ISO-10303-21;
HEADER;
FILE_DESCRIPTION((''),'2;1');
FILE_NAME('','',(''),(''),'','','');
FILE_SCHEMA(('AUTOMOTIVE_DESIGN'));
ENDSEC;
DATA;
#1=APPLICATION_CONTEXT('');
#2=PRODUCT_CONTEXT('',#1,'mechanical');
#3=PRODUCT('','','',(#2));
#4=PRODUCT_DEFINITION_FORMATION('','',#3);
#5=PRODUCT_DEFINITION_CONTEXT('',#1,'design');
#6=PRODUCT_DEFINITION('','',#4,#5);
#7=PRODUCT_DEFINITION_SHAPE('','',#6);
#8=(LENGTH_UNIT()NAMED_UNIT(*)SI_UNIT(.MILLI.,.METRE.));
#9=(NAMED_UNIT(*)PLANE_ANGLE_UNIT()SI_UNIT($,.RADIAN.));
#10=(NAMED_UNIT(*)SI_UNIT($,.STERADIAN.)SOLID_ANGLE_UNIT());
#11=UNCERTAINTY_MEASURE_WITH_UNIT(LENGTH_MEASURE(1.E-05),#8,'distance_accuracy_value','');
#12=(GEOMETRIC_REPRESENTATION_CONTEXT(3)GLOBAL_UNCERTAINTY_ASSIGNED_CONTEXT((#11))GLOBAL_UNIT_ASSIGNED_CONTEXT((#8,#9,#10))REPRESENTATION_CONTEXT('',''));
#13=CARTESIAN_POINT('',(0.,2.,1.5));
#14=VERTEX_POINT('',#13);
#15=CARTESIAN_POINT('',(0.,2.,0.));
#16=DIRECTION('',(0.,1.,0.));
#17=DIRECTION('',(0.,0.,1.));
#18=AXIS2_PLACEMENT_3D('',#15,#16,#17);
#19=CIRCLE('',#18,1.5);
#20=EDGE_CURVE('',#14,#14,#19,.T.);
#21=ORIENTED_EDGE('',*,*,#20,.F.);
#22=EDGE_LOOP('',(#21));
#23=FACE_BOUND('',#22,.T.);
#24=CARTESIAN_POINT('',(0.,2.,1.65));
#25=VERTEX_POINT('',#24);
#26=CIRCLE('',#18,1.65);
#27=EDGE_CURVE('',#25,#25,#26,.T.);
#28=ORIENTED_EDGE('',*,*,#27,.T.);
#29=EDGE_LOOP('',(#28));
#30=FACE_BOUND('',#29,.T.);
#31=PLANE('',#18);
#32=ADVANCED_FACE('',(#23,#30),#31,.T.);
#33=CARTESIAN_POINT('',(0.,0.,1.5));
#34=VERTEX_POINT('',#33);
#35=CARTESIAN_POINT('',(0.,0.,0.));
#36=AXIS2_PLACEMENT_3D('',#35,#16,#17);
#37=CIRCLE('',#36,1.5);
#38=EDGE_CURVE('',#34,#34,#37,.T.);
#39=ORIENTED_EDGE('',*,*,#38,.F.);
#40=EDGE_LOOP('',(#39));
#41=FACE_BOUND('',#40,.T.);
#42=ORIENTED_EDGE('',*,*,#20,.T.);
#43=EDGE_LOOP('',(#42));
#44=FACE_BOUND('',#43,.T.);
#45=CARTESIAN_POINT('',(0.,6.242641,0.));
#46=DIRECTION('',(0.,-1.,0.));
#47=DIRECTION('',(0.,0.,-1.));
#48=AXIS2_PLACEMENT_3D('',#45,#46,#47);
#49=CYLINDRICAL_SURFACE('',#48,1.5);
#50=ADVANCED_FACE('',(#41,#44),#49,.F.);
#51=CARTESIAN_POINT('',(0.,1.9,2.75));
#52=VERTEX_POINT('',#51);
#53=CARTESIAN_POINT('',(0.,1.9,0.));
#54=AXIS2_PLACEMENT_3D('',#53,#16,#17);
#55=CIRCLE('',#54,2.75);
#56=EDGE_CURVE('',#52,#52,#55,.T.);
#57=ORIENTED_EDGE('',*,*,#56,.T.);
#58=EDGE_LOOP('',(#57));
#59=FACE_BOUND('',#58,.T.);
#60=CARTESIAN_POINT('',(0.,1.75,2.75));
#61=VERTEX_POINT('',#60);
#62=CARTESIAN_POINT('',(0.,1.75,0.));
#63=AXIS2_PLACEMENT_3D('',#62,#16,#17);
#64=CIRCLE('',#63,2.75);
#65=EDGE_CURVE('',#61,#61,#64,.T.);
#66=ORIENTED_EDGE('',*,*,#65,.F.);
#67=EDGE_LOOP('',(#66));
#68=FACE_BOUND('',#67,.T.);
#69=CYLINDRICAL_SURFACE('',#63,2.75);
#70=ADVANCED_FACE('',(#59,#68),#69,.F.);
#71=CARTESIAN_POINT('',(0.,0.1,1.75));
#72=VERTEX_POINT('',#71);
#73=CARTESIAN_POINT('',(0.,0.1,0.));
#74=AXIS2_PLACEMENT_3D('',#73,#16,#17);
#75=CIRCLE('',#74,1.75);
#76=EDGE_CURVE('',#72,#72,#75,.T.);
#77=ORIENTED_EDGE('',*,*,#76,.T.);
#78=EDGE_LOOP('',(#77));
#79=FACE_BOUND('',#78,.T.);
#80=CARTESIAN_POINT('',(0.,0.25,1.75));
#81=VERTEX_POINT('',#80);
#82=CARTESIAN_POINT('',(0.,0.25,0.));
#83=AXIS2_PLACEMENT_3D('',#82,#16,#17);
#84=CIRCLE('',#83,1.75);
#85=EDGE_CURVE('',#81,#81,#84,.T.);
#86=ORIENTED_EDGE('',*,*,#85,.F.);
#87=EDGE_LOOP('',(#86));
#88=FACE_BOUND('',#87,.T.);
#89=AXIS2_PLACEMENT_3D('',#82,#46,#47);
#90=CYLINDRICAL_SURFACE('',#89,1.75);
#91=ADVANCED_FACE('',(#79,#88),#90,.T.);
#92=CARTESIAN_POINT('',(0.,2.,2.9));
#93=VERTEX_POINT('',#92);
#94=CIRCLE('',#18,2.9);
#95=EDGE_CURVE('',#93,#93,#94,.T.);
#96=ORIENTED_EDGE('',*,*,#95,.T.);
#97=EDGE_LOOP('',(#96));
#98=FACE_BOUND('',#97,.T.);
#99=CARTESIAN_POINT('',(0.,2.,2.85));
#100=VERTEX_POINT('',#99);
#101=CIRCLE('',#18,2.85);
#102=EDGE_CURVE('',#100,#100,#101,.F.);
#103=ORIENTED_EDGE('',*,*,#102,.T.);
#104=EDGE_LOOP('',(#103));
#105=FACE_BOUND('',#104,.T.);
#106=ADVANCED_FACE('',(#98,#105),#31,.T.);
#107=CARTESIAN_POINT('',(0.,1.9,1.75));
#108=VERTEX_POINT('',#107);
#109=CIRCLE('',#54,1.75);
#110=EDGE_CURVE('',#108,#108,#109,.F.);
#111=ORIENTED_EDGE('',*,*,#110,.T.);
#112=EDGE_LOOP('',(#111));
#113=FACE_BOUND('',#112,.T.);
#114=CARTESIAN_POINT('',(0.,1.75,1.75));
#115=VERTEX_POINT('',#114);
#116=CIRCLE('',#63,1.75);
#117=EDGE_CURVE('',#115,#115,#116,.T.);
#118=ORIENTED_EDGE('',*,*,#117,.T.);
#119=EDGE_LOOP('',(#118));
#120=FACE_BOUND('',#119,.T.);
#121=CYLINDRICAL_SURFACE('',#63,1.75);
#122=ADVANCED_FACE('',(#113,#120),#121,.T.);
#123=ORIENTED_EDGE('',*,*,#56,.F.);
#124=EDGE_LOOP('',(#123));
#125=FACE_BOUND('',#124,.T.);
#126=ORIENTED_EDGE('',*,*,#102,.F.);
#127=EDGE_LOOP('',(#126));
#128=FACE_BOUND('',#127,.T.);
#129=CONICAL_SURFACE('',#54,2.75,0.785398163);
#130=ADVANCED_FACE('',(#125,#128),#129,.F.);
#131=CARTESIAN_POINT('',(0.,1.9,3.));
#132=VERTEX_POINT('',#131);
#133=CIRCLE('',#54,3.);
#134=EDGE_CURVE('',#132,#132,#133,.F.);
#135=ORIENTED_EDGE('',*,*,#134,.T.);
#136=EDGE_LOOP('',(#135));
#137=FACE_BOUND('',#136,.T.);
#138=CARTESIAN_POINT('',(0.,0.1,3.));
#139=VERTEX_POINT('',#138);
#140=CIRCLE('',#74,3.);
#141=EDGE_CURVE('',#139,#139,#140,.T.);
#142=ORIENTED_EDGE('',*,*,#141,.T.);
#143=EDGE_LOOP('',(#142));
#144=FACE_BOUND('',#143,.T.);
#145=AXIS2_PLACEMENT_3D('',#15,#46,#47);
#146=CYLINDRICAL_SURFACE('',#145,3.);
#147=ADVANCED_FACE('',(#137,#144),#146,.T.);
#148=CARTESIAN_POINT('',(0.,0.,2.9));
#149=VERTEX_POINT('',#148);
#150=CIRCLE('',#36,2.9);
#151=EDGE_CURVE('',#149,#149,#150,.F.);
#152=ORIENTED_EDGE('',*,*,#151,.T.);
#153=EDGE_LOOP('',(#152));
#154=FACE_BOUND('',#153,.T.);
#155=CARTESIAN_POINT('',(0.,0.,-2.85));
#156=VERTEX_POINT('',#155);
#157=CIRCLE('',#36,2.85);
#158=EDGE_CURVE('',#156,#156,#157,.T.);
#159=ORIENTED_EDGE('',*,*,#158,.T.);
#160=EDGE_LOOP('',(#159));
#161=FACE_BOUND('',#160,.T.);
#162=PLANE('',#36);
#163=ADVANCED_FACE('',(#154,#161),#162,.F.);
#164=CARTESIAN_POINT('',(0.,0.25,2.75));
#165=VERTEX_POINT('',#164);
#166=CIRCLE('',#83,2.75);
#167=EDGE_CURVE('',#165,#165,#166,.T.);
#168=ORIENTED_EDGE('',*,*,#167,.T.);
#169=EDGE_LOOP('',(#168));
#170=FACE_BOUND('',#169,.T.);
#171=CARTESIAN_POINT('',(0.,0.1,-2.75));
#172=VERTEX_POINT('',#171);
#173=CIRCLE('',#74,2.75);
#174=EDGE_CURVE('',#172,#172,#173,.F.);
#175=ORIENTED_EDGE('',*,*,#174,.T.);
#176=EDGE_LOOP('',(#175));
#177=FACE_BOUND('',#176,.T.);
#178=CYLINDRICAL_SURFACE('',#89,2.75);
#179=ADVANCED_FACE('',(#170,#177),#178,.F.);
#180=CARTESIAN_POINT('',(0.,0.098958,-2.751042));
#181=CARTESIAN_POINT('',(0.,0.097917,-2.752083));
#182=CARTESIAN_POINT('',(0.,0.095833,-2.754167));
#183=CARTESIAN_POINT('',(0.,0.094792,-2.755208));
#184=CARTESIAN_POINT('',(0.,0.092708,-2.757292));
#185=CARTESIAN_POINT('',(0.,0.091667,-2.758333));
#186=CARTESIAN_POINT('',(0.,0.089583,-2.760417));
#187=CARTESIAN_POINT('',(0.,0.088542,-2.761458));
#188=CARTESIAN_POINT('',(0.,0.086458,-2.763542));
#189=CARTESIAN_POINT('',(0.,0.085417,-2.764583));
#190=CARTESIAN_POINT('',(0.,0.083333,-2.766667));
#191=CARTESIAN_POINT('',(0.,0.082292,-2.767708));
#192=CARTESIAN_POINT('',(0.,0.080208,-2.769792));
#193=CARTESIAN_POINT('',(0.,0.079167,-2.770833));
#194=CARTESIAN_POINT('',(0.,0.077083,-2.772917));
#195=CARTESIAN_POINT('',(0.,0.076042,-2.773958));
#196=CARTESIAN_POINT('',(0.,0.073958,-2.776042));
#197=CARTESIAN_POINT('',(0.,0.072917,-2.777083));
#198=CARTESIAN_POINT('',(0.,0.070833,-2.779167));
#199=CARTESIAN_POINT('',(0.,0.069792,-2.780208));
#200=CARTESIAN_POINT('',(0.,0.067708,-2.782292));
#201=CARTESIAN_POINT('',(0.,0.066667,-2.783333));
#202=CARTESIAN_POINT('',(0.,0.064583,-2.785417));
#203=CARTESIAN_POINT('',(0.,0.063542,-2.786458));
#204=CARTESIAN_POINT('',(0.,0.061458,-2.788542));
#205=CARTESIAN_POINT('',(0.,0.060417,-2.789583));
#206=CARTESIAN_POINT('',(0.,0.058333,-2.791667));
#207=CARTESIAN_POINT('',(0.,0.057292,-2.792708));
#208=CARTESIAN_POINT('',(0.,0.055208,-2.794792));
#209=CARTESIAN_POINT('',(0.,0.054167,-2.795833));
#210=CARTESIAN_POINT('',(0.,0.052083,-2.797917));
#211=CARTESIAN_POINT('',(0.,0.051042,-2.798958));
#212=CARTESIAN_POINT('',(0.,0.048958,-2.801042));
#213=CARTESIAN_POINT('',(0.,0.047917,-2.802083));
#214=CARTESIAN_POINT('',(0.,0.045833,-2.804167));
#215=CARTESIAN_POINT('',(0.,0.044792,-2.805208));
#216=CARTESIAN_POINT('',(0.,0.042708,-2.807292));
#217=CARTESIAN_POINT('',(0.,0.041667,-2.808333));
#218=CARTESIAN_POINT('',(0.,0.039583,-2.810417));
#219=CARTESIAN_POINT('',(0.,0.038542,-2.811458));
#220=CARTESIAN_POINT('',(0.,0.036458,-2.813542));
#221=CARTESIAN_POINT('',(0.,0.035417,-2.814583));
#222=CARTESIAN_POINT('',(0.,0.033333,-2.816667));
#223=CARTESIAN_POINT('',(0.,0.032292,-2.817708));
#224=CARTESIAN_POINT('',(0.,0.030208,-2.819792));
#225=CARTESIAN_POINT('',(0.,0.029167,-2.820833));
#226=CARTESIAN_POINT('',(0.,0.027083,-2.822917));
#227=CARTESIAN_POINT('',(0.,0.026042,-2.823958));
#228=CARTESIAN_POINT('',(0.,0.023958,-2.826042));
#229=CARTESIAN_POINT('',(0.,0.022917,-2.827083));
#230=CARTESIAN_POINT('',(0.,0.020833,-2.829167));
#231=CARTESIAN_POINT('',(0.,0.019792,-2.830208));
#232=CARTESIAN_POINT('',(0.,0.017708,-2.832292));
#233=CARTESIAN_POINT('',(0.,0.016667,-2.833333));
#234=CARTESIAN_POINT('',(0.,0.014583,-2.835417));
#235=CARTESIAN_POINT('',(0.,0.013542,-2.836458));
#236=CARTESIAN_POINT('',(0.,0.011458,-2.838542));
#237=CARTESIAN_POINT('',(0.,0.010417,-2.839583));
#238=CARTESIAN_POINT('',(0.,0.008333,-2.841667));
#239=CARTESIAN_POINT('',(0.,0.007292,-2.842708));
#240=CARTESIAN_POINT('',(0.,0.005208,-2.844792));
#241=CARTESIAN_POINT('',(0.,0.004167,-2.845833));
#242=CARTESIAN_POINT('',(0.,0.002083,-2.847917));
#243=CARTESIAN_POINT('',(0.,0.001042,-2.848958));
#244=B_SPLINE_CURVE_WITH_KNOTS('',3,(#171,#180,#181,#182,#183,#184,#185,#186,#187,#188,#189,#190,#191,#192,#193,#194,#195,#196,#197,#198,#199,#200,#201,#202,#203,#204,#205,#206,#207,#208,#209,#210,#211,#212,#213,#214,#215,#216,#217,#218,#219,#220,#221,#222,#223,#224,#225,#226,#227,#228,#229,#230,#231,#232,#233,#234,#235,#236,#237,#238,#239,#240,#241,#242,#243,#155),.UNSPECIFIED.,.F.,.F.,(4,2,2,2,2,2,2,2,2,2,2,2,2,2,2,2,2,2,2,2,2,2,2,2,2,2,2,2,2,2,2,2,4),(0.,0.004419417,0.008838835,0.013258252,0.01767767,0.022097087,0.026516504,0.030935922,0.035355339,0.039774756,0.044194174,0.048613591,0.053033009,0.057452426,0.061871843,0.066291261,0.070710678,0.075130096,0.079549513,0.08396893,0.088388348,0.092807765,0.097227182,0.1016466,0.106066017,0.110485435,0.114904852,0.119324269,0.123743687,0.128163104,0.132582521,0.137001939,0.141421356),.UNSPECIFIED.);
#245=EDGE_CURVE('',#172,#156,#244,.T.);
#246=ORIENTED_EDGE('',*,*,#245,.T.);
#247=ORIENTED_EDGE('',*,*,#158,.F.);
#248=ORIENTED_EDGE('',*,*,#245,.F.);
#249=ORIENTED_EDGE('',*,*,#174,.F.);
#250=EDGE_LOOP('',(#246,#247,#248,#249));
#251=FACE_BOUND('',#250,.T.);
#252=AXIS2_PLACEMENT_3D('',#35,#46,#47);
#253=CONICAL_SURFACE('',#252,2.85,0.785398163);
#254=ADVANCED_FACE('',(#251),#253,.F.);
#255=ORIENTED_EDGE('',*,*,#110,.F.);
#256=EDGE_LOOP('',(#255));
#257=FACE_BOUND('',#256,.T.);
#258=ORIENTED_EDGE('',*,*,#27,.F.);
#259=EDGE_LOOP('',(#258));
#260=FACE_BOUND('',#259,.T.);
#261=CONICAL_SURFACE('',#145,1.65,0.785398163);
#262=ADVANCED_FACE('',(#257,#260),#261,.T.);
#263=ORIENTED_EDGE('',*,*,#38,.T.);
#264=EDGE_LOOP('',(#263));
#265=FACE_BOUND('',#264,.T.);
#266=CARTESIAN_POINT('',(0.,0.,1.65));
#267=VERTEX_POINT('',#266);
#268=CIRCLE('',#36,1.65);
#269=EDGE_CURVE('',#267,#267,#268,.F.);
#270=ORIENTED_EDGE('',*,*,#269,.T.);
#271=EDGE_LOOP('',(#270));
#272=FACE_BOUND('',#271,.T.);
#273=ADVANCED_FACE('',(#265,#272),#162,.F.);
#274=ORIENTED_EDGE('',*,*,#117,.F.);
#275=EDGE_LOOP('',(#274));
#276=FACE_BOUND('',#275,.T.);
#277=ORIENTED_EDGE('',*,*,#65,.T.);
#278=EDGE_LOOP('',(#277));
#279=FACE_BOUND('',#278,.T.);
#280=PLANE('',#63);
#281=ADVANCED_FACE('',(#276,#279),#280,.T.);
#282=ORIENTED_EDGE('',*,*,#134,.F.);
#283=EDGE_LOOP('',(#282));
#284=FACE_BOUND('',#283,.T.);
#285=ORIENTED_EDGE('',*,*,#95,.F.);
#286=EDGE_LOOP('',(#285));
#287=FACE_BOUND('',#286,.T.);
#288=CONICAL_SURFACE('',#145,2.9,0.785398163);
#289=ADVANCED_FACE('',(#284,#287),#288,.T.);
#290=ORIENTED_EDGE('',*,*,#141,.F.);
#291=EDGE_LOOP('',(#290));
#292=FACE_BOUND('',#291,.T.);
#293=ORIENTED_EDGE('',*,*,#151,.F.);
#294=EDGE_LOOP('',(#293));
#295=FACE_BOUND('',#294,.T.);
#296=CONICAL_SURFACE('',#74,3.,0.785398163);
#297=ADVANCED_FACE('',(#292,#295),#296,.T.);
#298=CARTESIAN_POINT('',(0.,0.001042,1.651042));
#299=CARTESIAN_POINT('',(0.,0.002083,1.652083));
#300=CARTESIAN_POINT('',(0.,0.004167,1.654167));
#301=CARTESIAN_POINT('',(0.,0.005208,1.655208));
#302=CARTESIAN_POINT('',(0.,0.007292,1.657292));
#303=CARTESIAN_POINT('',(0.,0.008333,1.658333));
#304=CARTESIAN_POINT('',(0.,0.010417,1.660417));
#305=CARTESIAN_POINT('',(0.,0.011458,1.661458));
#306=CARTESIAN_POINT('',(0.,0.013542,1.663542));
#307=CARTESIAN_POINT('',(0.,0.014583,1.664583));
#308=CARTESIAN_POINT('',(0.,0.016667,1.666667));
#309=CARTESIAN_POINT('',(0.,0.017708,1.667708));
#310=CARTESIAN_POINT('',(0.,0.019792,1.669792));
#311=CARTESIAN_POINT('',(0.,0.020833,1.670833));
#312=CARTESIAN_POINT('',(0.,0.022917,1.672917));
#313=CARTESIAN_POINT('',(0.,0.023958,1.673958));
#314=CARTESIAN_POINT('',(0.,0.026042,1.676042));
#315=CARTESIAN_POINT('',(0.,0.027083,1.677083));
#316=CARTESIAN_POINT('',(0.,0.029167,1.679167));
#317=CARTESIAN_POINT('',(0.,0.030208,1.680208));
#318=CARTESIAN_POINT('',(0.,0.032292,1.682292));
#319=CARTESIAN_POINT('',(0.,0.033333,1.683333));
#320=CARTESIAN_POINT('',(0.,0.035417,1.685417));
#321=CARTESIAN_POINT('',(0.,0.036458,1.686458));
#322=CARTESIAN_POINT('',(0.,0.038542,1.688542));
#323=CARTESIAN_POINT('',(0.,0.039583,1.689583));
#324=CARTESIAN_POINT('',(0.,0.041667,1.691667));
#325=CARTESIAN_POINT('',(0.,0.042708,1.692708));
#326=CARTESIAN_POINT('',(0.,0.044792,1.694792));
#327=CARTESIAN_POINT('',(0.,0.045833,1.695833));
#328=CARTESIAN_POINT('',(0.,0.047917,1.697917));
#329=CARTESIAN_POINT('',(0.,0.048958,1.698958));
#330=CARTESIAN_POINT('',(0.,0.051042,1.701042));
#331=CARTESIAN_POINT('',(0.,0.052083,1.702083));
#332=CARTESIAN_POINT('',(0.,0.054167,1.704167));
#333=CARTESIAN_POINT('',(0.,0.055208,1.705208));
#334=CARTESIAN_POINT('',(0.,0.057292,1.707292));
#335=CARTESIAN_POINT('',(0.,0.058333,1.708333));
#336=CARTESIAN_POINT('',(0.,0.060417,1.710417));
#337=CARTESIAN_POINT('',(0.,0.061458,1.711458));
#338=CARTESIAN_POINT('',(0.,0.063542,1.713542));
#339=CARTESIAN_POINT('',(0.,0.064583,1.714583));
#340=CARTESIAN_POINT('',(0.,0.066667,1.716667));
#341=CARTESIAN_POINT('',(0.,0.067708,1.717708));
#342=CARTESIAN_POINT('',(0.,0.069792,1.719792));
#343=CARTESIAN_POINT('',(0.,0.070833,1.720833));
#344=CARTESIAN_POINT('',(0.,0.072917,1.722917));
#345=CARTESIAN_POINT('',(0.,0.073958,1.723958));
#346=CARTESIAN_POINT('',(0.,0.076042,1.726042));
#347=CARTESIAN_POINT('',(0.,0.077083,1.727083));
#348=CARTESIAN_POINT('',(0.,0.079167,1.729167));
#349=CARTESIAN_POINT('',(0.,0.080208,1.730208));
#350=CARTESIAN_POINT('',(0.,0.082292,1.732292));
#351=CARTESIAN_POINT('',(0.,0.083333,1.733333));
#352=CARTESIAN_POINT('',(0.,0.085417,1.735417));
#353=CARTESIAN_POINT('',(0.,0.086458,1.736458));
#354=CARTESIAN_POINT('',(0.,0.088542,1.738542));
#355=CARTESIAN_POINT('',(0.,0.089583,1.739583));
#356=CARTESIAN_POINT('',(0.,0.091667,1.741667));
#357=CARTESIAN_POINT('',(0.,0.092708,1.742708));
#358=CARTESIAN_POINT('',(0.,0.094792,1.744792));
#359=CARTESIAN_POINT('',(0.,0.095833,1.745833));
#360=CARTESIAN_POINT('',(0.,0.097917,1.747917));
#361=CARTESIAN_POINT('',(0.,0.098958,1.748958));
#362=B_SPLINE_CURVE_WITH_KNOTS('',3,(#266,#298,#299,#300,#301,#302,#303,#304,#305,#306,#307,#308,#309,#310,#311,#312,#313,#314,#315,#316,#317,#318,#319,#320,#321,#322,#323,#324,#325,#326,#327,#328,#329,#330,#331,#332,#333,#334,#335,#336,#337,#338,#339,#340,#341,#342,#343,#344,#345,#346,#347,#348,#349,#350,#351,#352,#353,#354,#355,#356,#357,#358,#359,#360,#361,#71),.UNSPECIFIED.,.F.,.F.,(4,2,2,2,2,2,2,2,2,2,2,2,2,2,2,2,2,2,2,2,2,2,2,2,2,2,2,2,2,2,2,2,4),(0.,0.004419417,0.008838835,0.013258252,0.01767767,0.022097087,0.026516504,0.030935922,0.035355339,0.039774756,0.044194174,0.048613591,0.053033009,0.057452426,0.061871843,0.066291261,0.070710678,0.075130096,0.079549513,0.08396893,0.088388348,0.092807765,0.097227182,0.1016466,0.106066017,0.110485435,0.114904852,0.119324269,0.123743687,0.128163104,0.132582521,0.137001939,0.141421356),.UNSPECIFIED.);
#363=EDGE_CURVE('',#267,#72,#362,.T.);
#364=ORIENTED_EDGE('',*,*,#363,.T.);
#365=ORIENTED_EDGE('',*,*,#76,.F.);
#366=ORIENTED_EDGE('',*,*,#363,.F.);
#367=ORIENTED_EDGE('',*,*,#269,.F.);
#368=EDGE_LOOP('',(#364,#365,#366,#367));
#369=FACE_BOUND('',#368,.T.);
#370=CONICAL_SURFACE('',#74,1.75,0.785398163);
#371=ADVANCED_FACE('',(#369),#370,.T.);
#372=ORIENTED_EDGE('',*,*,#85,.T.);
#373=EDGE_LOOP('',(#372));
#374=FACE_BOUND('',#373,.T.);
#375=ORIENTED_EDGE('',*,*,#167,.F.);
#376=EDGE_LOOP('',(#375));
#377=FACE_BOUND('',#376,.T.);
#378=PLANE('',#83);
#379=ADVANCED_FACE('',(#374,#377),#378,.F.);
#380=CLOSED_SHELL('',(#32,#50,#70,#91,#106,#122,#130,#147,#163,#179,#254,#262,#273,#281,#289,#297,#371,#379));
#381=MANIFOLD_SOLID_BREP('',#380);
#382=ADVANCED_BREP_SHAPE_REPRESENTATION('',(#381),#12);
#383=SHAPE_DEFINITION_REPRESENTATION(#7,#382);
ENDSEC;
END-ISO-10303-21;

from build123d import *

# Parameters (mm, degrees)
SKETCH_1_R          = 3
EXTRUDE_1_DEPTH     = 2
SKETCH_2_R          = 1.5
CUT_EXTRUDE_1_DEPTH = 2
CUT_EXTRUDE_START   = 2
SKETCH_3_R          = 2.75
SKETCH_3_R_2        = 1.75
CUT_EXTRUDE_2_DEPTH = 0.25
CUT_EXTRUDE_START_2 = 0.25
SKETCH_4_R          = 2.75
SKETCH_4_R_2        = 1.75
CUT_EXTRUDE_3_DEPTH = 0.25
CHAMFER_1_SIZE      = 0.1


with BuildPart() as part:
    # 草图1 → 凸台-拉伸1 (new body)
    with BuildSketch(Plane(origin=(0, 0, 0), x_dir=(1, 0, 0), z_dir=(0, 1, 0))):
        with Locations(Location((0, 0, 0), (0, 0, 270))):
            Circle(SKETCH_1_R)
    extrude(amount=EXTRUDE_1_DEPTH)

    # 草图2 → 切除-拉伸1 (cut)
    with BuildSketch(Plane(origin=(0, 0, 0), x_dir=(1, 0, 0), z_dir=(0, 1, 0))):
        with Locations(Location((0, 0, 0), (0, 0, 270))):
            Circle(SKETCH_2_R)
    extrude(amount=CUT_EXTRUDE_1_DEPTH, mode=Mode.SUBTRACT)

    # 草图3 → 切除-拉伸2 (cut)
    with BuildSketch(Plane(origin=(0, 0, 0), x_dir=(1, 0, 0), z_dir=(0, 1, 0)).offset(CUT_EXTRUDE_START)):
        with Locations(Location((0, 0, 0), (0, 0, 270))):
            Circle(SKETCH_3_R)
        with Locations(Location((0, 0, 0), (0, 0, 270))):
            Circle(SKETCH_3_R_2, mode=Mode.SUBTRACT)
    extrude(amount=-CUT_EXTRUDE_2_DEPTH, mode=Mode.SUBTRACT)

    # 草图4 → 切除-拉伸3 (cut)
    with BuildSketch(Plane(origin=(0, 0, 0), x_dir=(1, 0, 0), z_dir=(0, 1, 0)).offset(CUT_EXTRUDE_START_2)):
        with Locations(Location((0, 0, 0), (0, 0, 270))):
            Circle(SKETCH_4_R)
        with Locations(Location((0, 0, 0), (0, 0, 270))):
            Circle(SKETCH_4_R_2, mode=Mode.SUBTRACT)
    extrude(amount=-CUT_EXTRUDE_3_DEPTH, mode=Mode.SUBTRACT)

    # 倒角1
    chamfer_1_edges = [part.edges().sort_by_distance(p)[0] for p in [
        (0, 2, -2.75),
        (0, 2, -1.75),
        (0, 0, -1.75),
        (0, 0, -2.75),
        (0, 0, -3),
        (0, 2, -3),
    ]]
    chamfer(chamfer_1_edges, length=CHAMFER_1_SIZE)


solid = part.part
